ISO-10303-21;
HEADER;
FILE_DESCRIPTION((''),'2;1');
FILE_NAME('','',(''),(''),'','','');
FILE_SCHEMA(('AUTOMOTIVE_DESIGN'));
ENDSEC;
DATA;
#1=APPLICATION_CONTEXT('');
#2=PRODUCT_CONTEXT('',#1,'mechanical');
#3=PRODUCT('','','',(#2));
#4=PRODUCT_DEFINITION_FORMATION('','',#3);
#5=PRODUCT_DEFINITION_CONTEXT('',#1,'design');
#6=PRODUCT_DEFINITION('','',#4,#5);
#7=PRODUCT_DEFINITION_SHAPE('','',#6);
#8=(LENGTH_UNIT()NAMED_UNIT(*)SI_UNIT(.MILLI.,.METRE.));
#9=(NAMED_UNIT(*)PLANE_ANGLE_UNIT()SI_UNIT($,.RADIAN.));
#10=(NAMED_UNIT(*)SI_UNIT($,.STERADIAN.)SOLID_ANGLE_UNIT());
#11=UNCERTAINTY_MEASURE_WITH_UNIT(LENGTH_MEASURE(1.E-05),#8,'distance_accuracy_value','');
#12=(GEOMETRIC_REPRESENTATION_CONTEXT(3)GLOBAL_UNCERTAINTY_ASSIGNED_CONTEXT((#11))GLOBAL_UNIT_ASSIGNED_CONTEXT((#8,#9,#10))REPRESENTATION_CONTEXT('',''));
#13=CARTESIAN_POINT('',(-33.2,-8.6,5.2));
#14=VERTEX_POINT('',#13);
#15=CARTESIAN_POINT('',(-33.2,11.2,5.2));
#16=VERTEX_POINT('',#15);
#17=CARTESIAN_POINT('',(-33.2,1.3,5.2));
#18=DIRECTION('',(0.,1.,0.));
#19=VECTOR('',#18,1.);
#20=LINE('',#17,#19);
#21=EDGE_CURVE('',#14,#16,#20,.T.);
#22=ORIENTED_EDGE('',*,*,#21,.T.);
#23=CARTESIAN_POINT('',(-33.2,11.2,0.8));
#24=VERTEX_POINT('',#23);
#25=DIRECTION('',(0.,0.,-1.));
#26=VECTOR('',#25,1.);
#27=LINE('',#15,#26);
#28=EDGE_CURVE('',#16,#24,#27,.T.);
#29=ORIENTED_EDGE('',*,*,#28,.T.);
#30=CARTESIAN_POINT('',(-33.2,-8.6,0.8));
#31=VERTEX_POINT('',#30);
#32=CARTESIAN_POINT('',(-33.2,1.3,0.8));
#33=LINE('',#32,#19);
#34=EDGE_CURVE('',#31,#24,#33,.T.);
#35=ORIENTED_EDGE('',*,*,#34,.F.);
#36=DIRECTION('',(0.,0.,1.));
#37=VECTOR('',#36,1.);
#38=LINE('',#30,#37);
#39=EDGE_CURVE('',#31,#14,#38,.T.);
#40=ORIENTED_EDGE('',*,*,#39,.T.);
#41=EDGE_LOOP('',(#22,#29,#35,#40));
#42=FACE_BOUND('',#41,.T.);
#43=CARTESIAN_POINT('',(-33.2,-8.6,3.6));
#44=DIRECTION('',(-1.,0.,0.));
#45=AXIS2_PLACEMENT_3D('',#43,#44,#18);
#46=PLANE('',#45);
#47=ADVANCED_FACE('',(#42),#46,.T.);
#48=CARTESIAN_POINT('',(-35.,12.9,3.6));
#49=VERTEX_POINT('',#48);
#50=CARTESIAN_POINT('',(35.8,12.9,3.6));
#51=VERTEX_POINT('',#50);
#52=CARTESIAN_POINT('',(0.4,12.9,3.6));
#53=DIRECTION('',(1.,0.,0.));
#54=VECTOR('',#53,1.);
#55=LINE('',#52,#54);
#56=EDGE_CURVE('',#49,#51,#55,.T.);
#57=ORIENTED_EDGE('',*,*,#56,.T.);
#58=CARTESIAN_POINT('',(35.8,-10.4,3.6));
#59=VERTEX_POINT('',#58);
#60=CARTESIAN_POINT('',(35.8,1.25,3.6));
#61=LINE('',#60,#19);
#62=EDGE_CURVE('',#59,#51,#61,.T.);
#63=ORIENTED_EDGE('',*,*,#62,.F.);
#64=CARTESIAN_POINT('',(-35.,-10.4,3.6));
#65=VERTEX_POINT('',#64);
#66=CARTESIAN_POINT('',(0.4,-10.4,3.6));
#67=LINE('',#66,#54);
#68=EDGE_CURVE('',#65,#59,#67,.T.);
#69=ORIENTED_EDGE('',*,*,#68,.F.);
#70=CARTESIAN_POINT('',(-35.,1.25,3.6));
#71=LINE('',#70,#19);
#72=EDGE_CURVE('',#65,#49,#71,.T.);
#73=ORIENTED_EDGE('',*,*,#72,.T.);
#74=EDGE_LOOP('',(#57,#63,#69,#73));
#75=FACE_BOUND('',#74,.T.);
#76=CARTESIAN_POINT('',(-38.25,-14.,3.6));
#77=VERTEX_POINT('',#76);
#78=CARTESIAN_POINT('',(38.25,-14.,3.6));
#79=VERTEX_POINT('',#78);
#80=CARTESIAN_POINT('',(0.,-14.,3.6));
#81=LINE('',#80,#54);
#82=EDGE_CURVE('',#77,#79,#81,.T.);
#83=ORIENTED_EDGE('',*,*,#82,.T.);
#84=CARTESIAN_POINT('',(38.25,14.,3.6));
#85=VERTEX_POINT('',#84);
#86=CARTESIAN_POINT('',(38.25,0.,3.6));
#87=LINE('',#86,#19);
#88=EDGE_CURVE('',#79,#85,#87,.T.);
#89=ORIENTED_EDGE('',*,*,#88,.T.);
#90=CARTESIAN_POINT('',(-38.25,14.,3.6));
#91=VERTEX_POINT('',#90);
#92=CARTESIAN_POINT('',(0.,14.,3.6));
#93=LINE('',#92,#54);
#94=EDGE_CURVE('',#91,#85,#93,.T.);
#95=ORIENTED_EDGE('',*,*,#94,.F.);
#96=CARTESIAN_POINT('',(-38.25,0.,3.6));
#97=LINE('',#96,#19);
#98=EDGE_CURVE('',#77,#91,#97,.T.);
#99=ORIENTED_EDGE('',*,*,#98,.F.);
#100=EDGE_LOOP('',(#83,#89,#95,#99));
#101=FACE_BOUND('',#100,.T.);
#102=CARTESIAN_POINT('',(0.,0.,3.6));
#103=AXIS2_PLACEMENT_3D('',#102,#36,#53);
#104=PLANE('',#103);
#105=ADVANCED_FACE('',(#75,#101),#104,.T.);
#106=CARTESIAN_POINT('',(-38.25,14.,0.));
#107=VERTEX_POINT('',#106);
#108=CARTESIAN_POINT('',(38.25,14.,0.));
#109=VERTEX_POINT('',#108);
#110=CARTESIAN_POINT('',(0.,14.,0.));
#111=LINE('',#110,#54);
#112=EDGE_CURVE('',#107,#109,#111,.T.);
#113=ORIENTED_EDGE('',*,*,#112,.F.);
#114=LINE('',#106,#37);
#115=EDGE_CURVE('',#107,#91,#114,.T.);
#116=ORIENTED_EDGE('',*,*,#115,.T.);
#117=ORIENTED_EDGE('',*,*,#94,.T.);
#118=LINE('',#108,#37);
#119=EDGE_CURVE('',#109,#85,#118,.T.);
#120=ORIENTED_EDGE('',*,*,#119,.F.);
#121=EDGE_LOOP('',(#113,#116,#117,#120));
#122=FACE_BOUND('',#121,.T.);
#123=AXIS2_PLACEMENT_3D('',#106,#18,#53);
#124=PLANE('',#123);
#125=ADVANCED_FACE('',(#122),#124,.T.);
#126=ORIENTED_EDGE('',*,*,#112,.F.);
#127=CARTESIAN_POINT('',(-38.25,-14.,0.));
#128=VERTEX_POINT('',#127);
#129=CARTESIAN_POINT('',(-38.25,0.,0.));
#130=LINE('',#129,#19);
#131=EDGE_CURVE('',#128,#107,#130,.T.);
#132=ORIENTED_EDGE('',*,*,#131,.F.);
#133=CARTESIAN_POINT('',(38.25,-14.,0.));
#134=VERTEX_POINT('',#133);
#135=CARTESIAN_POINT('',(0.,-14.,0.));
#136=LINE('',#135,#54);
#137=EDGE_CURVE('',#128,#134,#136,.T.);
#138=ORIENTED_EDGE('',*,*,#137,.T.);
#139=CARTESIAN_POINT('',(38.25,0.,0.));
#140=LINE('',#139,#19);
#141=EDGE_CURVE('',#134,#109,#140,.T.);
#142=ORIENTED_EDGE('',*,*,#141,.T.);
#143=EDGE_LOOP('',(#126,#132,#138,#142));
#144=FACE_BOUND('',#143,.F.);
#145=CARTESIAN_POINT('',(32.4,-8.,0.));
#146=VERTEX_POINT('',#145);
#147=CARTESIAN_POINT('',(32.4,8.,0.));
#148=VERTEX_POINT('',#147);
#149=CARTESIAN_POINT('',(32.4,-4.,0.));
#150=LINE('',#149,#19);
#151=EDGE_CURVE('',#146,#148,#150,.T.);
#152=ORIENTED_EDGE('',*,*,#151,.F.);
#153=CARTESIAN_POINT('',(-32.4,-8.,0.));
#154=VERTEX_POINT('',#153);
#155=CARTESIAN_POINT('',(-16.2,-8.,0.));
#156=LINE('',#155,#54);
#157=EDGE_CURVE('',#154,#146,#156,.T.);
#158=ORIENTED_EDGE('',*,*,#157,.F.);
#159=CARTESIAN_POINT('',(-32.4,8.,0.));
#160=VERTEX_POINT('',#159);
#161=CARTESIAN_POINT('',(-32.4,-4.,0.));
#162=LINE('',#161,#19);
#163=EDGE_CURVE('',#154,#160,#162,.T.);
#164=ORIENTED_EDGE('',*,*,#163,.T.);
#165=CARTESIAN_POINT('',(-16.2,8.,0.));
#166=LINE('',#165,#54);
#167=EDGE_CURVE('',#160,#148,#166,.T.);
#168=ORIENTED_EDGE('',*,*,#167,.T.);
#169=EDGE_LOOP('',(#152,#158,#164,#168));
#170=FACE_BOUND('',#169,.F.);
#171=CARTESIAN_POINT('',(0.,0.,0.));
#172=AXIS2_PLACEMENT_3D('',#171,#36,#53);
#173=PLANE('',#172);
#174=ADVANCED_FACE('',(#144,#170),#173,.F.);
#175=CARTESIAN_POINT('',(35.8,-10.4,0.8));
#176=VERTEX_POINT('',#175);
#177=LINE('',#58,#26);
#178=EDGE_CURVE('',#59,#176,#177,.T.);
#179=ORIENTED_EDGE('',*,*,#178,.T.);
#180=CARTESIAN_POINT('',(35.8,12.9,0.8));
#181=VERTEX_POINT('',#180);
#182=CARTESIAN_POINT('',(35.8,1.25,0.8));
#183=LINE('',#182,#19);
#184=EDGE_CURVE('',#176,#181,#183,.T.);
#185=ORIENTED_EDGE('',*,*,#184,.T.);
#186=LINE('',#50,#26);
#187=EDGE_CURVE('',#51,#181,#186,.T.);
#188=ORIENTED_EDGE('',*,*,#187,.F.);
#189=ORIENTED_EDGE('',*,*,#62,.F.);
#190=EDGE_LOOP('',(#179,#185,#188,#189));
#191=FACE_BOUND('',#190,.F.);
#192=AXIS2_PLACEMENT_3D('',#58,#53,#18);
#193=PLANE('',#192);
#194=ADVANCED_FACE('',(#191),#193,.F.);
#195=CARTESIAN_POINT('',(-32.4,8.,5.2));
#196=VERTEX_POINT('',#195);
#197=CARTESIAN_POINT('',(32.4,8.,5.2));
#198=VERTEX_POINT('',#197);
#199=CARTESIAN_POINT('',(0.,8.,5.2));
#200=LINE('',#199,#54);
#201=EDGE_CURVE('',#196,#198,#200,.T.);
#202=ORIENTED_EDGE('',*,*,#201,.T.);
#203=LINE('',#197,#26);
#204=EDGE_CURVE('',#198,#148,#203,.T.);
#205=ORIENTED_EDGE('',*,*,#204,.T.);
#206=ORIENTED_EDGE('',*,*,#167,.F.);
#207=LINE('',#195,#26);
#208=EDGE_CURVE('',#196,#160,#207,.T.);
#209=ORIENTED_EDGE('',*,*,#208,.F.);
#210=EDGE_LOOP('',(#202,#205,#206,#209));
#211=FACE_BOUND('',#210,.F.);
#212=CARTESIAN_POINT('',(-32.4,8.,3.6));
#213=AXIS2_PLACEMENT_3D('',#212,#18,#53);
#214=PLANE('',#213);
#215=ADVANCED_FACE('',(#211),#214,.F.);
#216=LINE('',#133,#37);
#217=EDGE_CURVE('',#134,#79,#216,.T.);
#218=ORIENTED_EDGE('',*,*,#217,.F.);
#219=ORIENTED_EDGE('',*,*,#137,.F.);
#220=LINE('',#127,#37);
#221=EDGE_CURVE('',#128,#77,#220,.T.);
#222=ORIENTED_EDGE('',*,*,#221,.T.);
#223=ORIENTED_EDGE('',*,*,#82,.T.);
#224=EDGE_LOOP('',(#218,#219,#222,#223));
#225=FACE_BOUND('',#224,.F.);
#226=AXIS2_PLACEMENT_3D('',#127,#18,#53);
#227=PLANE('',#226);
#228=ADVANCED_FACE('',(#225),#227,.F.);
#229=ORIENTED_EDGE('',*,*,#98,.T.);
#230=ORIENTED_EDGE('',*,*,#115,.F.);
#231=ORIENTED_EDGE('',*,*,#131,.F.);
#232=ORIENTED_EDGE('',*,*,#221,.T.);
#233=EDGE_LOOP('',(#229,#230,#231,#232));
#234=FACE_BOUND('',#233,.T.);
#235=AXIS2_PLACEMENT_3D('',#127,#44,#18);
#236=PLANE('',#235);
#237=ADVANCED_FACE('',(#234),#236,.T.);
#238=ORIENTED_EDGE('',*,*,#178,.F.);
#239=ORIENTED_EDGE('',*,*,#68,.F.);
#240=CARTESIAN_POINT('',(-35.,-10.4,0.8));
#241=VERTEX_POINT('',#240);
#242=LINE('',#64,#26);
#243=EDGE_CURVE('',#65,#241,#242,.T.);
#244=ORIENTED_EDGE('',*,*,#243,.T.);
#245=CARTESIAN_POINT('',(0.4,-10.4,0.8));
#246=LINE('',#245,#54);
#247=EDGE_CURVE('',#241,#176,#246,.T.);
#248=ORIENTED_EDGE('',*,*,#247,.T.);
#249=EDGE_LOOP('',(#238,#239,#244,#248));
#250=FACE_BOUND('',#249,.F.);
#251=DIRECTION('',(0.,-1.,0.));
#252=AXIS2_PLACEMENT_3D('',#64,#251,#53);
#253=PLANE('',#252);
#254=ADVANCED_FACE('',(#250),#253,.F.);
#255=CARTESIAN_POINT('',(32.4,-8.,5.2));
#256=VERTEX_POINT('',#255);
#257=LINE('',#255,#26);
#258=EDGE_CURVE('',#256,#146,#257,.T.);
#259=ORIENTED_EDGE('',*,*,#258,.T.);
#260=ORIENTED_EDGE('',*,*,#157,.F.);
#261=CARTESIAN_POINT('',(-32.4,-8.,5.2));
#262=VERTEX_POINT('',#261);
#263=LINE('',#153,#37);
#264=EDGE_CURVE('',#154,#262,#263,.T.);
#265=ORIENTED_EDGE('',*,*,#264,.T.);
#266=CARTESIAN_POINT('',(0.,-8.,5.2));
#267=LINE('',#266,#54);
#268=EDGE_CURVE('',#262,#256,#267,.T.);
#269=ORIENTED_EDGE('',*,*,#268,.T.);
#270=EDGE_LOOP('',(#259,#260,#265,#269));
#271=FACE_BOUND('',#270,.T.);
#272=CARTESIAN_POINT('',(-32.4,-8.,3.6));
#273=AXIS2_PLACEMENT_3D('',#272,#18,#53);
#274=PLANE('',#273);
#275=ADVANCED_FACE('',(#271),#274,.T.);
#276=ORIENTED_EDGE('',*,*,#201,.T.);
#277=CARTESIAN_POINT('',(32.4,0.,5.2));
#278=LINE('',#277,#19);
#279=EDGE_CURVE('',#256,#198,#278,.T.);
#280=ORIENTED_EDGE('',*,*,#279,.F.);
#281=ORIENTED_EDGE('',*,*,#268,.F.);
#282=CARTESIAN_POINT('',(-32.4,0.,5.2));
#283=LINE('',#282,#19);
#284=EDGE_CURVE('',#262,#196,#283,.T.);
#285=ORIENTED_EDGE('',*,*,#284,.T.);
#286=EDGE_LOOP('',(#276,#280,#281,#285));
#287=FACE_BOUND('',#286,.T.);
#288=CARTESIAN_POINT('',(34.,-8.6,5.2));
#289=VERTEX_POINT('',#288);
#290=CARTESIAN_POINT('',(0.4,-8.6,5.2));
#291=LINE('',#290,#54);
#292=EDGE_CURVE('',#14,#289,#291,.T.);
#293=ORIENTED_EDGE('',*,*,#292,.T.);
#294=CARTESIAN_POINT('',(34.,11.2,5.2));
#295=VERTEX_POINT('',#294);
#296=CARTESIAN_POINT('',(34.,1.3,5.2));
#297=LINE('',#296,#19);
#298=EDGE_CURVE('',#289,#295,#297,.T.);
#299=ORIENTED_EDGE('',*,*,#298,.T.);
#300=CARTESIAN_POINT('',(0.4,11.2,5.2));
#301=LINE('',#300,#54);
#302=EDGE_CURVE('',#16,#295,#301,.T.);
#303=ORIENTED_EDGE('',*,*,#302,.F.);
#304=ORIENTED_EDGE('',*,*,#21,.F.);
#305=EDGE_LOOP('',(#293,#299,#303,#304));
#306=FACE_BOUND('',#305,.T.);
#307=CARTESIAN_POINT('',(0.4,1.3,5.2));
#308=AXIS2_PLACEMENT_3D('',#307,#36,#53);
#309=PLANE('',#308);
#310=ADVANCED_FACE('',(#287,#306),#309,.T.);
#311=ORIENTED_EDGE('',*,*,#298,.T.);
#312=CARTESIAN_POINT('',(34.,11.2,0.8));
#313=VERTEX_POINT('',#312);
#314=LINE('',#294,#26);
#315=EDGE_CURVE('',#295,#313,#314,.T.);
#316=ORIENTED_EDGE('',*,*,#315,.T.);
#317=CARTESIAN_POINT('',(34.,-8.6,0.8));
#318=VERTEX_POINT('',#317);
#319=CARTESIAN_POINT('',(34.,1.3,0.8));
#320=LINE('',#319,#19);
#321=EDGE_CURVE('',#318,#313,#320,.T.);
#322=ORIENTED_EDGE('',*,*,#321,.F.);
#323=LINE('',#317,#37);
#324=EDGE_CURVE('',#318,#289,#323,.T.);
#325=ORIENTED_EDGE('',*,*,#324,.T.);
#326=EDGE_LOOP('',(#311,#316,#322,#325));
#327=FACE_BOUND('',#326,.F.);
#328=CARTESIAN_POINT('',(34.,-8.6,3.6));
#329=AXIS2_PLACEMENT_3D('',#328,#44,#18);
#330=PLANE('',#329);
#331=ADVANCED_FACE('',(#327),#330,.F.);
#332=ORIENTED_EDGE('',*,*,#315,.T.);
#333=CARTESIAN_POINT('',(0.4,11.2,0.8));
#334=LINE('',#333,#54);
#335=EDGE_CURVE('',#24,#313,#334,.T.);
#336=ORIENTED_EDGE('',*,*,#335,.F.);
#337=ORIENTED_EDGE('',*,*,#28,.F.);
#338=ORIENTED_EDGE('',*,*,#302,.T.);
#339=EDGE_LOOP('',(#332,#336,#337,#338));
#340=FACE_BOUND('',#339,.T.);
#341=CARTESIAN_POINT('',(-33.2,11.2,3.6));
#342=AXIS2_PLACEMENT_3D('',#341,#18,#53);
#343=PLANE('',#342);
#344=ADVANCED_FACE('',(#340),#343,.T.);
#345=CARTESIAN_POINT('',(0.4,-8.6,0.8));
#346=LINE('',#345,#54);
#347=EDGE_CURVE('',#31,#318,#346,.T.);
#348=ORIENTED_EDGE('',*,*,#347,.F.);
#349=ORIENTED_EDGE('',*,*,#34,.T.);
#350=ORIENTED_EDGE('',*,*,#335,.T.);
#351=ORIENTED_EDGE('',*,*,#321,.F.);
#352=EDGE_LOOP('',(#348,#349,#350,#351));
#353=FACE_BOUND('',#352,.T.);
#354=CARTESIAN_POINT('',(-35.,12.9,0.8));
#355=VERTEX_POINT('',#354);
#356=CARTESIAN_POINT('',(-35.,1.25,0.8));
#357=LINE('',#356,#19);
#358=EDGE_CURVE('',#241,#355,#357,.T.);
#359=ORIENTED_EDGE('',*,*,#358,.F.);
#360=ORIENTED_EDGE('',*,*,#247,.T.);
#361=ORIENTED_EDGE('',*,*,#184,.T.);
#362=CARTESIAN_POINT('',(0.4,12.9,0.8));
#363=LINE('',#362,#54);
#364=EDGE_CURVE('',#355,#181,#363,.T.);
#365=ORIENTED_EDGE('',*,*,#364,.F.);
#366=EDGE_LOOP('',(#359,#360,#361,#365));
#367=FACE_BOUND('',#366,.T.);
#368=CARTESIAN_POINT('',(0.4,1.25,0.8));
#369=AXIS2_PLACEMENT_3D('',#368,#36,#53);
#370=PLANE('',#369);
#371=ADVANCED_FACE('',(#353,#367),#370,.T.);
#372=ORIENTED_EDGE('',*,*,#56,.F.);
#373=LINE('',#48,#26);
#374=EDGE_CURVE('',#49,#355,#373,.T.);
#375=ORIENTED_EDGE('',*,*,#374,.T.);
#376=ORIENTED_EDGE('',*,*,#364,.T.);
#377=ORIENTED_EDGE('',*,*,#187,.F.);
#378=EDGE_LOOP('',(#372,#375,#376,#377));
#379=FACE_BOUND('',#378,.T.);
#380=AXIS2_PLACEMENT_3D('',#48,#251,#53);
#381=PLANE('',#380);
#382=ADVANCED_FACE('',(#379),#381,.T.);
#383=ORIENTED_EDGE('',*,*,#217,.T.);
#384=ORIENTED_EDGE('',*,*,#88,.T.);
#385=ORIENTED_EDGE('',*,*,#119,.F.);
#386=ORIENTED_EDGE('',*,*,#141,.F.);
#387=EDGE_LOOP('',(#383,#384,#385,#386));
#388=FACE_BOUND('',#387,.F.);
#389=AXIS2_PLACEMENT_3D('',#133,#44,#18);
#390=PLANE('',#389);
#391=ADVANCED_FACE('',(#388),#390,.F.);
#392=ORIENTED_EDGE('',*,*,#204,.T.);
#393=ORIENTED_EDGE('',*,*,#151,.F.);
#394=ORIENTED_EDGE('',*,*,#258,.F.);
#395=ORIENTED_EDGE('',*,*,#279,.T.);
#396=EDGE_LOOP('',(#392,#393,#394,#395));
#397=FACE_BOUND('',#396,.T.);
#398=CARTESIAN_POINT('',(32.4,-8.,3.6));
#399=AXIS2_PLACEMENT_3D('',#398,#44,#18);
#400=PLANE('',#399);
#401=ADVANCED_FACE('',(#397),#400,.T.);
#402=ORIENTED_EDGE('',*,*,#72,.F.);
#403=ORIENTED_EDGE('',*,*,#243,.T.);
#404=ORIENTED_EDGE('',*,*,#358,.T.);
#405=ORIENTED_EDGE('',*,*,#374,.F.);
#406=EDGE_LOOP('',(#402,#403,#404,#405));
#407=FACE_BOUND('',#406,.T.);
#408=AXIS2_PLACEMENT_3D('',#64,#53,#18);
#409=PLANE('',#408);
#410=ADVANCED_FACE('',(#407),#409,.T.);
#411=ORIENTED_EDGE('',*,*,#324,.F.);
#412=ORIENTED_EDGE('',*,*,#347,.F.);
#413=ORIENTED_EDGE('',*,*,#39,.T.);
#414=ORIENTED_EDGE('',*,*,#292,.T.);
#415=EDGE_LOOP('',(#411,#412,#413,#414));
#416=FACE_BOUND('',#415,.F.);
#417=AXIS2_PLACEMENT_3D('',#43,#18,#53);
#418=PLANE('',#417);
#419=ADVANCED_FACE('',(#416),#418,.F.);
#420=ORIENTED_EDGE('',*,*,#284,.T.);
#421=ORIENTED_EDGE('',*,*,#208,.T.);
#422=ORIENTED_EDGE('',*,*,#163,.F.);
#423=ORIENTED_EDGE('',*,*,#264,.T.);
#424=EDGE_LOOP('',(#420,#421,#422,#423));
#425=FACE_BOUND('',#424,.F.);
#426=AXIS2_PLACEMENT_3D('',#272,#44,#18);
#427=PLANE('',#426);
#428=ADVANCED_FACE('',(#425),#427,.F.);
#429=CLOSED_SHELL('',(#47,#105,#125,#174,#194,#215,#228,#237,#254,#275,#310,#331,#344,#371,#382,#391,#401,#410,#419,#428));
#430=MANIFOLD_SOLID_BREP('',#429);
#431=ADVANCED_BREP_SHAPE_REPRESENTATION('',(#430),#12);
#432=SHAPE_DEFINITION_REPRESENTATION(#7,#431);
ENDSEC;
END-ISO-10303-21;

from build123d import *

# Parameters (mm, degrees)
F0_W     = 76.5
F0_H     = 28
F1_DEPTH = 3.6
F2_W     = 64.8
F2_H     = 16
F3_DEPTH = 25
F4_W     = 70.8
F4_H     = 23.3
F4_W_2   = 67.2
F4_H_2   = 19.8
F5_DEPTH = 2.8
F6_W     = 67.2
F6_H     = 19.8
F6_W_2   = 64.8
F6_H_2   = 16
F7_DEPTH = 1.6


with BuildPart() as f1:
    # F0 (on Top) → F1 (new body)
    with BuildSketch(Plane.XY):
        Rectangle(F0_W, F0_H)
    extrude(amount=F1_DEPTH)

    # F2 (on face) → F3 (cut)
    with BuildSketch(Plane.XY.offset(3.6)):
        Rectangle(F2_W, F2_H)
    extrude(amount=-F3_DEPTH, mode=Mode.SUBTRACT)

    # F4 (on face) → F5 (cut)
    with BuildSketch(Plane.XY.offset(3.6)):
        with Locations((0.4, 1.25)):
            Rectangle(F4_W, F4_H)
        with Locations((0.4, 1.3)):
            Rectangle(F4_W_2, F4_H_2, mode=Mode.SUBTRACT)
    extrude(amount=-F5_DEPTH, mode=Mode.SUBTRACT)

    # F6 (on face) → F7 (join)
    with BuildSketch(Plane.XY.offset(3.6)):
        with Locations((0.4, 1.3)):
            Rectangle(F6_W, F6_H)
        Rectangle(F6_W_2, F6_H_2, mode=Mode.SUBTRACT)
    extrude(amount=F7_DEPTH)


solid = f1.part
